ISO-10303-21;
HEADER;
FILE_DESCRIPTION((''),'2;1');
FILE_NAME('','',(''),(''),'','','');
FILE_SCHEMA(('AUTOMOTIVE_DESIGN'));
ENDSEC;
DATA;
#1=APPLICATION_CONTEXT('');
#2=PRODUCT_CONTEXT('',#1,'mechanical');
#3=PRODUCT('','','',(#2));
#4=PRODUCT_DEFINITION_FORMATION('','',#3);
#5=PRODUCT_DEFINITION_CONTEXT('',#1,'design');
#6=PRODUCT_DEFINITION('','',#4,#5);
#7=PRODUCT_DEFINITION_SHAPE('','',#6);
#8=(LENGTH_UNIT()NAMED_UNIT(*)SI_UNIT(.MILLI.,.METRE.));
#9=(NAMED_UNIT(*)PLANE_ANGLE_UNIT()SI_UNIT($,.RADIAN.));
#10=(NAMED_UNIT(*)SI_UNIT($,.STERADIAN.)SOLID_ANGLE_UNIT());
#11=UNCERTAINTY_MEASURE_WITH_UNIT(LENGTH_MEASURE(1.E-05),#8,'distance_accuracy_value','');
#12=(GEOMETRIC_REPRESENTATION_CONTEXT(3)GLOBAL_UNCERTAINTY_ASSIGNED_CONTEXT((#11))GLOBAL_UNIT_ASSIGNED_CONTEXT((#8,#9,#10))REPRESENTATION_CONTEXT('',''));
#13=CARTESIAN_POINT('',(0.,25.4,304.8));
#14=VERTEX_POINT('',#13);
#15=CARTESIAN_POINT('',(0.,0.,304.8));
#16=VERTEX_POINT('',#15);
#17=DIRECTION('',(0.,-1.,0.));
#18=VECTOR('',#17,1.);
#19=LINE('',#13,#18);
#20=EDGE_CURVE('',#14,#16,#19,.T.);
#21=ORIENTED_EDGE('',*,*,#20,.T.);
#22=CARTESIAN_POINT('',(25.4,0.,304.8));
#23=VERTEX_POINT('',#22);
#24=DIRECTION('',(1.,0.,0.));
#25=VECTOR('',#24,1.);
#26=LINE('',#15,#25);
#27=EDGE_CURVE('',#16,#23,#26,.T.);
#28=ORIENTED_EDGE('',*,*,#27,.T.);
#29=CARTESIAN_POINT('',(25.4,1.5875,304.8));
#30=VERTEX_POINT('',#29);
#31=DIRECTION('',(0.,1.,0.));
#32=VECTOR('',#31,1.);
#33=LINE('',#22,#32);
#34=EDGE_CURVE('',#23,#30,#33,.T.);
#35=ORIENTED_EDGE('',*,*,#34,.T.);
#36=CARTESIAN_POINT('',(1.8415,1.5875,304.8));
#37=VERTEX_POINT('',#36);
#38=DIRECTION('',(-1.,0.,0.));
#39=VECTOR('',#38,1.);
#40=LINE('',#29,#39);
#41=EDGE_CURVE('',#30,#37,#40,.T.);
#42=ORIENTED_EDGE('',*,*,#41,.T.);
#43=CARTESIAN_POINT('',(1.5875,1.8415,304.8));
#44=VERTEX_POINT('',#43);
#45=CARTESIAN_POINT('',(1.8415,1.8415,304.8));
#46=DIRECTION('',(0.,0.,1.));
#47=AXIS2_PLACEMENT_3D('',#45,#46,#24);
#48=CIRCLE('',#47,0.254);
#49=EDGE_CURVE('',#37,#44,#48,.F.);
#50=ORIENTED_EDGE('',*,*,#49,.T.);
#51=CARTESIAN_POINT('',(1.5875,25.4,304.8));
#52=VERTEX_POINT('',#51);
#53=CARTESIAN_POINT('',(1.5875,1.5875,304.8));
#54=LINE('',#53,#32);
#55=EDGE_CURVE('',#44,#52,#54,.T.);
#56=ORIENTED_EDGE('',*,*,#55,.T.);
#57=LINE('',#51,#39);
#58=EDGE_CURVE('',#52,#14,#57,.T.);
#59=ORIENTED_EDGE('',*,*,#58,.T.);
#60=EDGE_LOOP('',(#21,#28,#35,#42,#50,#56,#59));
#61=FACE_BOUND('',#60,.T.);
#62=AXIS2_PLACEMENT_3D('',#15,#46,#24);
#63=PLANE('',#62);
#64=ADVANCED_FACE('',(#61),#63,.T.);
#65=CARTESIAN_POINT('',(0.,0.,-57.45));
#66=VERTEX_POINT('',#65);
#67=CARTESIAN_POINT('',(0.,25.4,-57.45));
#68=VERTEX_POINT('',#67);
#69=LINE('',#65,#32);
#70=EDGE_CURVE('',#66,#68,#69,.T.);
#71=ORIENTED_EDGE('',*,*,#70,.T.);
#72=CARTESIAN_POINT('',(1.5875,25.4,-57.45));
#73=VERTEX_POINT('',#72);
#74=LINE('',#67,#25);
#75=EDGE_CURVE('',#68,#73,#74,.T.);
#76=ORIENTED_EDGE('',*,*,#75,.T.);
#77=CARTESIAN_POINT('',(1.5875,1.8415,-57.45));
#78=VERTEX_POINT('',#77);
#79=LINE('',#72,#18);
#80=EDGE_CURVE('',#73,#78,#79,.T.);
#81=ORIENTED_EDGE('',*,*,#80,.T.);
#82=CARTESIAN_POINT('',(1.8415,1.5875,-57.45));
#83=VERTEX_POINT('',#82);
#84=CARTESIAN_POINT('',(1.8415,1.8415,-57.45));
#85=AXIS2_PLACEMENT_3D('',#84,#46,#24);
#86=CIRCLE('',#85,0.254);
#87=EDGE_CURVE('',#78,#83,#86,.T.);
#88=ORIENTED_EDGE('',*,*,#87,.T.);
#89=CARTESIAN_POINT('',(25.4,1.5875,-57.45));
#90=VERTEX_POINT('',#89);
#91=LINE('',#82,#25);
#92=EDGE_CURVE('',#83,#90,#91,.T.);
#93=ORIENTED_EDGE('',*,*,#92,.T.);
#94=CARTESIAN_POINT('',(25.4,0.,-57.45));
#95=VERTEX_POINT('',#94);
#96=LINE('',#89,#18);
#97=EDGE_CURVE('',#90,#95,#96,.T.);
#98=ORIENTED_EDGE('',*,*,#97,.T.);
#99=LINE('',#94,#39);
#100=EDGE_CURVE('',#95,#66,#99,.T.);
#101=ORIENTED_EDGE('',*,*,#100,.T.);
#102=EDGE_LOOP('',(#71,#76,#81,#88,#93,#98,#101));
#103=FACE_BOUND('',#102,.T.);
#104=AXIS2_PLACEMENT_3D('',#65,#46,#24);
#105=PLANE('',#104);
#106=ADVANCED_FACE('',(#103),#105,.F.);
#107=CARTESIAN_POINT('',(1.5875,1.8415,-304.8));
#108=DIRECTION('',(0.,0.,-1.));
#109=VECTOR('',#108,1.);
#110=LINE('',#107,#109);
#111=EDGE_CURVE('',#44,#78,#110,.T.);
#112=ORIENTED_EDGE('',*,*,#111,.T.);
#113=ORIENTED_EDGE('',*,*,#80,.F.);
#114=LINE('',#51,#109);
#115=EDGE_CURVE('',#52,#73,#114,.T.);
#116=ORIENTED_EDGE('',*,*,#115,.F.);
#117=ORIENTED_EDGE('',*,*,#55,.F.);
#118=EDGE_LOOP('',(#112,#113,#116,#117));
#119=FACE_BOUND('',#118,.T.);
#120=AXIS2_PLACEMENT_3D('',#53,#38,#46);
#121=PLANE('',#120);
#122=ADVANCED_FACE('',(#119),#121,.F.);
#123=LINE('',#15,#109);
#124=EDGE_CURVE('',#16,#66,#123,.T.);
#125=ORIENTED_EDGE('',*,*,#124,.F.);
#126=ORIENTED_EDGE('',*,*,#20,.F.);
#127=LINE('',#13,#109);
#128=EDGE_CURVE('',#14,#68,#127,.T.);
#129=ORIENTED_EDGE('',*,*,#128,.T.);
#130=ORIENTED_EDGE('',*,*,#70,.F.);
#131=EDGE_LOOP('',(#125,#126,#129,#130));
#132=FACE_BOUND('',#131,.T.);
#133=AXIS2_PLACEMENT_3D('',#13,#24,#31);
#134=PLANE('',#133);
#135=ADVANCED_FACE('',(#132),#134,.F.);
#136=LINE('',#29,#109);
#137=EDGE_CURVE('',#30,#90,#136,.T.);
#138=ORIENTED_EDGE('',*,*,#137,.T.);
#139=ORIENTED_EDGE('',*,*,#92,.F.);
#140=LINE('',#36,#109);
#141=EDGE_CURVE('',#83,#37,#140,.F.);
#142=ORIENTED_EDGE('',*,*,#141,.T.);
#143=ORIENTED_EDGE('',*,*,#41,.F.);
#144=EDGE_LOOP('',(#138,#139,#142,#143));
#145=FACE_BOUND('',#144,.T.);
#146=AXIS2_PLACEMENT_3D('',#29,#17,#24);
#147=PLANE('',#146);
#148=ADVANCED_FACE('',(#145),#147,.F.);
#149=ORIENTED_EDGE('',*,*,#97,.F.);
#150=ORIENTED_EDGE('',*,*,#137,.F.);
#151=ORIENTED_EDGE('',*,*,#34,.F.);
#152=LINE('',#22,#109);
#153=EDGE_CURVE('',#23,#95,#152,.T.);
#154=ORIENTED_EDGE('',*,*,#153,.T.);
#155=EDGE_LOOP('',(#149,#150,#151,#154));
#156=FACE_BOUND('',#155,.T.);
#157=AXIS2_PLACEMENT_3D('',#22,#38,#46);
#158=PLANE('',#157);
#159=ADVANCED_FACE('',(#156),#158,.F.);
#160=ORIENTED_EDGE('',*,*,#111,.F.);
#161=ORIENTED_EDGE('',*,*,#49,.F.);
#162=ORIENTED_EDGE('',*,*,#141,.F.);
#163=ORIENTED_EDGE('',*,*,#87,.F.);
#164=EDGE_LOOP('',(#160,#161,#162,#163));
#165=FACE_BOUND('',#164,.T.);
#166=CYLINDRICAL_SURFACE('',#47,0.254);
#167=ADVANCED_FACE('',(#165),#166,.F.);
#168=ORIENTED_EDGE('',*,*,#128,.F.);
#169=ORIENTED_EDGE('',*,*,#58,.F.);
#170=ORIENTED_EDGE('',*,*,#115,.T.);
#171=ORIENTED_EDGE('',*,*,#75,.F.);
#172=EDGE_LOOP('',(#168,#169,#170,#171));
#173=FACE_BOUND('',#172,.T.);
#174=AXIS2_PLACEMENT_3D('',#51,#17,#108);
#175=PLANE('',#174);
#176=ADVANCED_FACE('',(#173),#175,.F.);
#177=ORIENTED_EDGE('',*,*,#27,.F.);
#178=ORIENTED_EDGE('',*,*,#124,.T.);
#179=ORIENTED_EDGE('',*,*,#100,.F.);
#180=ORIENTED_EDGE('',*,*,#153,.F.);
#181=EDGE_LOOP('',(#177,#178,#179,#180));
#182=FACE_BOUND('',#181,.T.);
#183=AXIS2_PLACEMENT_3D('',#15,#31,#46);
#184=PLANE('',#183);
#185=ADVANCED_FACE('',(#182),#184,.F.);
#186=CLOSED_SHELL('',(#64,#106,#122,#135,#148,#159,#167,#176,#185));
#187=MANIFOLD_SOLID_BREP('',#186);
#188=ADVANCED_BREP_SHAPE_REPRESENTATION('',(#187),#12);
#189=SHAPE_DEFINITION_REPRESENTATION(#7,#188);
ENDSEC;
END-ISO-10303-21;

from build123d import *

# Parameters (mm, degrees)
BOSS_EXTRUDE1_DEPTH = 304.8
FILLET1_R           = 0.254
CUT_EXTRUDE1_DEPTH  = 247.35


with BuildPart() as part:
    # Sketch3 → Boss-Extrude1 (new, symmetric)
    with BuildSketch(Plane.XY):
        Polygon((1.5875, 25.4), (0, 25.4), (0, 0), (25.4, 0), (25.4, 1.5875), (1.5875, 1.5875), align=None)
    extrude(amount=BOSS_EXTRUDE1_DEPTH, both=True)

    # Fillet1
    fillet1_edges = [part.edges().sort_by_distance(p)[0] for p in [
        (1.5875, 1.5875, 0),
    ]]
    fillet(fillet1_edges, radius=FILLET1_R)

    # Sketch4 → Cut-Extrude1 (cut)
    with BuildSketch(Plane(origin=(0, 0, -304.8), x_dir=(-1, 0, 0), z_dir=(0, 0, -1))):
        with BuildLine():
            Line((-1.5875, 25.4), (-1.5875, 1.8415))
            ThreePointArc((-1.5875, 1.8415), (-1.661894878, 1.661894878), (-1.8415, 1.5875))
            Line((-1.8415, 1.5875), (-25.4, 1.5875))
            Line((-25.4, 1.5875), (-25.4, 0))
            Line((-25.4, 0), (0, 0))
            Line((0, 0), (0, 25.4))
            Line((0, 25.4), (-1.5875, 25.4))
        make_face()
    extrude(amount=-CUT_EXTRUDE1_DEPTH, mode=Mode.SUBTRACT)


solid = part.part
